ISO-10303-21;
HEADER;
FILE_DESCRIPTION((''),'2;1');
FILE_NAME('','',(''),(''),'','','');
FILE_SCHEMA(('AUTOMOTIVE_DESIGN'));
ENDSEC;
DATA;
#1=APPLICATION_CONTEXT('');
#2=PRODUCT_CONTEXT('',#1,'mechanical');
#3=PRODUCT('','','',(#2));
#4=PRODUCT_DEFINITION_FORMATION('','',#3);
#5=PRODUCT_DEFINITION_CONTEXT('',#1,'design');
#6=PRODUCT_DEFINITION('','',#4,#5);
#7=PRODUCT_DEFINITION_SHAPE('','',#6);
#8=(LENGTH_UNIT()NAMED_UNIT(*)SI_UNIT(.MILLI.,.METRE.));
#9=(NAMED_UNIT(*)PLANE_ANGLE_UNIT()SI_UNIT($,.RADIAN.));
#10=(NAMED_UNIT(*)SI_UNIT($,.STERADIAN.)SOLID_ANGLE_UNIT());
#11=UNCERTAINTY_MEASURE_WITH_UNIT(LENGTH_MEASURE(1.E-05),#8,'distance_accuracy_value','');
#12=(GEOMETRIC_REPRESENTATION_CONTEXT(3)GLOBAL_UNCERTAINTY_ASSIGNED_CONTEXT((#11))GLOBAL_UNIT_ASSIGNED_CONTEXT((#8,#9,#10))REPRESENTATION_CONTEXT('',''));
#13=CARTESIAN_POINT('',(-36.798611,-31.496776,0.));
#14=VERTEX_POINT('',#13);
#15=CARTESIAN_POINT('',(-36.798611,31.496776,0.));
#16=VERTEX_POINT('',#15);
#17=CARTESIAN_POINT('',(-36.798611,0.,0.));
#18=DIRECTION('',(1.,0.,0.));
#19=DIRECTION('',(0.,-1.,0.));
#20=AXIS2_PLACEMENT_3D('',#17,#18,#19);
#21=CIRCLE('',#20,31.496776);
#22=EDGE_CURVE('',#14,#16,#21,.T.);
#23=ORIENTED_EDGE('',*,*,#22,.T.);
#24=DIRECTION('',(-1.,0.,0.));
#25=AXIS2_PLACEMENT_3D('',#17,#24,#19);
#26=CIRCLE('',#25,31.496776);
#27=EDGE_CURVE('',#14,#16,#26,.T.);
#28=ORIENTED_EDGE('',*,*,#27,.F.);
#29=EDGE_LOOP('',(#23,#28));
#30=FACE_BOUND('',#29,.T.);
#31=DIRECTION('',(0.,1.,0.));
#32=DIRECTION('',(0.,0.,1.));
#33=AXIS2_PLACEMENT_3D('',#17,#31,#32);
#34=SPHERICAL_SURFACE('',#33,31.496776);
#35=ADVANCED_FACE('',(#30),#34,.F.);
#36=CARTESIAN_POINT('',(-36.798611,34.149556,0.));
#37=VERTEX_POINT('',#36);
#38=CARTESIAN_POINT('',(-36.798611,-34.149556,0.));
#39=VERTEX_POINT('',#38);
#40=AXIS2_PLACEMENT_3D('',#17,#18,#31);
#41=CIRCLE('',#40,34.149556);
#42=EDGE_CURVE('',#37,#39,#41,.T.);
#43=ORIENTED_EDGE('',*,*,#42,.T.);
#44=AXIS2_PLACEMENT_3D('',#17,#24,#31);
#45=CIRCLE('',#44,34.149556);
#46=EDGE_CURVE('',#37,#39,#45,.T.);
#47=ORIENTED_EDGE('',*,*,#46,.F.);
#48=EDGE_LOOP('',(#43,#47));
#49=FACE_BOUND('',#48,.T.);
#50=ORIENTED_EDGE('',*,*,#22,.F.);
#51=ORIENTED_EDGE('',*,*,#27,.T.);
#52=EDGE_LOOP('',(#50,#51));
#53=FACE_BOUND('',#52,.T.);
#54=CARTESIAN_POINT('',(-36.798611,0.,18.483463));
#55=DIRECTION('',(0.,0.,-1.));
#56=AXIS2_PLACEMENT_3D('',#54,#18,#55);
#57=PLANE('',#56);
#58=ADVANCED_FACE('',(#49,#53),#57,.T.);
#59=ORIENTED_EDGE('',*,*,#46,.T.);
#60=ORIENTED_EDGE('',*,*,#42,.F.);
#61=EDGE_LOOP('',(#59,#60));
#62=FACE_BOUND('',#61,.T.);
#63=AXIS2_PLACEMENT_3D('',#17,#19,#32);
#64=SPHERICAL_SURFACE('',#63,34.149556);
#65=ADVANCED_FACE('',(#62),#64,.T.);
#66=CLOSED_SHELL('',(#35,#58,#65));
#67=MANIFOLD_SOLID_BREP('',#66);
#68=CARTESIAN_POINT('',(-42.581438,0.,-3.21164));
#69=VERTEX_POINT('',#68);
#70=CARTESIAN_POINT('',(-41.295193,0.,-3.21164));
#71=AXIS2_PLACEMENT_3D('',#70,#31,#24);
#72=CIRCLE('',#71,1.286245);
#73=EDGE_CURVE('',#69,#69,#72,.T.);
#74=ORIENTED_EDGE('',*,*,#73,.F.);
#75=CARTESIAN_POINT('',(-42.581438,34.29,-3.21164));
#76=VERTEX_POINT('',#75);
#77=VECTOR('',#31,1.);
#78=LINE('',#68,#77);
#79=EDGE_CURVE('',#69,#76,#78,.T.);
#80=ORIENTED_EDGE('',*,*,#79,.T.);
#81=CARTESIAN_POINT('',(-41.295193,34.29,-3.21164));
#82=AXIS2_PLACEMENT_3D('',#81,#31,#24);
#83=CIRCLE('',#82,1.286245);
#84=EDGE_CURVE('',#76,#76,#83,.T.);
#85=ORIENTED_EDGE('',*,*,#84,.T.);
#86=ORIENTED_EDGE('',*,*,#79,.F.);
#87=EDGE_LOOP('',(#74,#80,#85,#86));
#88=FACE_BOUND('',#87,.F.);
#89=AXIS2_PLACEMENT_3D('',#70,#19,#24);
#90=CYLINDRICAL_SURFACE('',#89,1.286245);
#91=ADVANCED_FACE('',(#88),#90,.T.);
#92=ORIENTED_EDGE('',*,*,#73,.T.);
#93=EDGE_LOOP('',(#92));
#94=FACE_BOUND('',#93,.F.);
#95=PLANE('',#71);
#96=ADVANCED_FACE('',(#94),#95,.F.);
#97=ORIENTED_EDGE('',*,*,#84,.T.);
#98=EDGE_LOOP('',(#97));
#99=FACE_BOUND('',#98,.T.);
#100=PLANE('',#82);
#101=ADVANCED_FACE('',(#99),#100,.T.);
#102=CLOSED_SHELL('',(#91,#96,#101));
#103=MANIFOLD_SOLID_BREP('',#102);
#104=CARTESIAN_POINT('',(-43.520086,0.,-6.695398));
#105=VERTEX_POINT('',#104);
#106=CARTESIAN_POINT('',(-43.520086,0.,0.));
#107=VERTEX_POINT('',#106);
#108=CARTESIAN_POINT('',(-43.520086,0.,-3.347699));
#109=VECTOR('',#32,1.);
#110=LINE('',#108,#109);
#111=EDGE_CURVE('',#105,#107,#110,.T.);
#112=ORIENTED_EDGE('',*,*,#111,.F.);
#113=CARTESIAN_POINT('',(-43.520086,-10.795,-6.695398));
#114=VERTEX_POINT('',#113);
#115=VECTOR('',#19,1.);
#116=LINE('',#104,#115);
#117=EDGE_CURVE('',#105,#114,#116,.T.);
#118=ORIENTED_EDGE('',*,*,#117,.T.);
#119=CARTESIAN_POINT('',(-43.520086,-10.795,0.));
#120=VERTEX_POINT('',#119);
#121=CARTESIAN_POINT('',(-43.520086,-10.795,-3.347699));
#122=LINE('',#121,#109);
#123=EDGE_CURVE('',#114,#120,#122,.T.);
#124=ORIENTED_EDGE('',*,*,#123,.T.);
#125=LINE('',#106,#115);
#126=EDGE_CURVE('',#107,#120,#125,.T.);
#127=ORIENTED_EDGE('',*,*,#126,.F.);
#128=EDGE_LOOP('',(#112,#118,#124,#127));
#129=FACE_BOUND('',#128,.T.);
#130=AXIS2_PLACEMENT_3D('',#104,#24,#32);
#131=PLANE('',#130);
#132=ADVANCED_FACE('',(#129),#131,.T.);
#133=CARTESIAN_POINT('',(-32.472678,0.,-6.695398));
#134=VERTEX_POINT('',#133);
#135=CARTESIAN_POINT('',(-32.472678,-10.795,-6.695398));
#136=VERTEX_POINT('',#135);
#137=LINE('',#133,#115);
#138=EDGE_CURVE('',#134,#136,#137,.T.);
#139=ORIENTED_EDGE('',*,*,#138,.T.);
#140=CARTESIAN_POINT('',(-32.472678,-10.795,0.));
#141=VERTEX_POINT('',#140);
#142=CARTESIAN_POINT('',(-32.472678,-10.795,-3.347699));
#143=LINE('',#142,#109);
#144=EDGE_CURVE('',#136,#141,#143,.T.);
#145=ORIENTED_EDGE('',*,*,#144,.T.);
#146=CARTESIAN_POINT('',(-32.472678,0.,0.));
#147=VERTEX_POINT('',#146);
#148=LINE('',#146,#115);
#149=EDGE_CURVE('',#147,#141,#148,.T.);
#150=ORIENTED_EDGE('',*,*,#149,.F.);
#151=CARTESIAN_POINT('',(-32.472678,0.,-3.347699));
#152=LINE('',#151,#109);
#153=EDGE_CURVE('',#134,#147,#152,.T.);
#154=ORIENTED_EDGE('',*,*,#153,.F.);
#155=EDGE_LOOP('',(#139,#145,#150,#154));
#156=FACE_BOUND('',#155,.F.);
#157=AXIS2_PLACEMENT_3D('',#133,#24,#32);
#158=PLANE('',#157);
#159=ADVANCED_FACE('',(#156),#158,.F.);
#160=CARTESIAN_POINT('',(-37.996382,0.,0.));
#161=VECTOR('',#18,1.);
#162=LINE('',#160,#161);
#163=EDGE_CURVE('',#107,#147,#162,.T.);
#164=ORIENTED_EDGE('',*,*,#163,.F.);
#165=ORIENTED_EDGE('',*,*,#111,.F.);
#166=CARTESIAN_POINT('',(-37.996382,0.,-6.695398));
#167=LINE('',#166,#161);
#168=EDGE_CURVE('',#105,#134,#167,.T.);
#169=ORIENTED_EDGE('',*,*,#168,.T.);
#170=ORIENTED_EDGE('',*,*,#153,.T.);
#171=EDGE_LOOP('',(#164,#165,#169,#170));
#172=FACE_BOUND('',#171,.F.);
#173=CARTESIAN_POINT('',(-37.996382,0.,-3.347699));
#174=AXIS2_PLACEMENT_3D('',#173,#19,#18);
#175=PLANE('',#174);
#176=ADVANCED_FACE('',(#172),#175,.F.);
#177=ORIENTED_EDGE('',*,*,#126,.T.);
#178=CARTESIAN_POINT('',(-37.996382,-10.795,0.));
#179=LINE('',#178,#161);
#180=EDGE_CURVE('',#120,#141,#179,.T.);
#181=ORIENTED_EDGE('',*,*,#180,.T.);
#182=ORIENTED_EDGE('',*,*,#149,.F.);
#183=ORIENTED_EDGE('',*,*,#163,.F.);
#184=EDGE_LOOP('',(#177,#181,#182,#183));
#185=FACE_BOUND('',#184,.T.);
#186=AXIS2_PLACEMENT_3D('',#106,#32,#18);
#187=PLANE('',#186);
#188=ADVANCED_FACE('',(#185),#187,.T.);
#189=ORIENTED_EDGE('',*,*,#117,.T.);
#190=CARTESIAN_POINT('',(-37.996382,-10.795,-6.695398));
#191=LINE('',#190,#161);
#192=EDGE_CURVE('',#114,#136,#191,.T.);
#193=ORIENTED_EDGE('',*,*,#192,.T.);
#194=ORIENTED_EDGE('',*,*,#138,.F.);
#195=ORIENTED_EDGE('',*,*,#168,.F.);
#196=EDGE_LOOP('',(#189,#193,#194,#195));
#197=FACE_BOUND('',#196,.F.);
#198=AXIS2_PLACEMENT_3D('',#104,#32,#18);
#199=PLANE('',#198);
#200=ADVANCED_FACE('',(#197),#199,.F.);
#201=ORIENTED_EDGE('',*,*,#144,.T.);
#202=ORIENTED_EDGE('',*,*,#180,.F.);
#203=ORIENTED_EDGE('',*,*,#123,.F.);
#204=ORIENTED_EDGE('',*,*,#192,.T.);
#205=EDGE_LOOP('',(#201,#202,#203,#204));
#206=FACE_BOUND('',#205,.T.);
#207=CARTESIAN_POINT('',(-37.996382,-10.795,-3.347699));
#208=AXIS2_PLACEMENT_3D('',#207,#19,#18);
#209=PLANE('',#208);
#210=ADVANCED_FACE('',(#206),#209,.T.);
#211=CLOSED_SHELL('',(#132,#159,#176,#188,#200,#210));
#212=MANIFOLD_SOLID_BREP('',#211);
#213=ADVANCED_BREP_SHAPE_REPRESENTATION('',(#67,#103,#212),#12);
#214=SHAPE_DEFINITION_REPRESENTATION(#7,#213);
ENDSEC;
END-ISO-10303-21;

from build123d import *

# Parameters (mm, degrees)
F2_ANGLE_BACK = 90
F2_ANGLE      = 180
F1_W          = 11.0474079847
F1_H          = 6.6953976639
F3_DEPTH      = 10.795
F4_R          = 1.2862448739
F5_DEPTH      = 34.29


with BuildPart() as f2:
    # F0 (on Top) → F2 (revolve)
    with BuildSketch(Plane.XY, mode=Mode.PRIVATE) as f2_sk:
        with BuildLine():
            Line((-36.7986112833, 31.4967759484), (-36.7986112833, 34.1495558188))
            ThreePointArc((-36.7986112833, 34.1495558188), (-70.9481671021, 0), (-36.7986112833, -34.1495558188))
            Line((-36.7986112833, -34.1495558188), (-36.7986112833, -31.4967759484))
            ThreePointArc((-36.7986112833, -31.4967759484), (-68.2953872317, 0), (-36.7986112833, 31.4967759484))
        make_face()
    revolve(f2_sk.sketch.rotate(Axis((-36.7986112833, -8.9311953634, 0), (0, -1, 0)), -F2_ANGLE_BACK), axis=Axis((-36.7986112833, -8.9311953634, 0), (0, -1, 0)), revolution_arc=F2_ANGLE)


with BuildPart() as f3:
    # F1 (on Front) → F3 (new body)
    with BuildSketch(Plane.XZ):
        with Locations((-37.9963815212, -3.3476988319)):
            Rectangle(F1_W, F1_H)
    extrude(amount=F3_DEPTH)


with BuildPart() as f5:
    # F4 (on face) → F5 (new body)
    with BuildSketch(Plane(origin=(0, 0, 0), x_dir=(-1, 0, 0), z_dir=(0, 1, 0))):
        with Locations((41.2951931357, -3.2116398215)):
            Circle(F4_R)
    extrude(amount=F5_DEPTH)


solid = Compound([f2.part, f3.part, f5.part])
